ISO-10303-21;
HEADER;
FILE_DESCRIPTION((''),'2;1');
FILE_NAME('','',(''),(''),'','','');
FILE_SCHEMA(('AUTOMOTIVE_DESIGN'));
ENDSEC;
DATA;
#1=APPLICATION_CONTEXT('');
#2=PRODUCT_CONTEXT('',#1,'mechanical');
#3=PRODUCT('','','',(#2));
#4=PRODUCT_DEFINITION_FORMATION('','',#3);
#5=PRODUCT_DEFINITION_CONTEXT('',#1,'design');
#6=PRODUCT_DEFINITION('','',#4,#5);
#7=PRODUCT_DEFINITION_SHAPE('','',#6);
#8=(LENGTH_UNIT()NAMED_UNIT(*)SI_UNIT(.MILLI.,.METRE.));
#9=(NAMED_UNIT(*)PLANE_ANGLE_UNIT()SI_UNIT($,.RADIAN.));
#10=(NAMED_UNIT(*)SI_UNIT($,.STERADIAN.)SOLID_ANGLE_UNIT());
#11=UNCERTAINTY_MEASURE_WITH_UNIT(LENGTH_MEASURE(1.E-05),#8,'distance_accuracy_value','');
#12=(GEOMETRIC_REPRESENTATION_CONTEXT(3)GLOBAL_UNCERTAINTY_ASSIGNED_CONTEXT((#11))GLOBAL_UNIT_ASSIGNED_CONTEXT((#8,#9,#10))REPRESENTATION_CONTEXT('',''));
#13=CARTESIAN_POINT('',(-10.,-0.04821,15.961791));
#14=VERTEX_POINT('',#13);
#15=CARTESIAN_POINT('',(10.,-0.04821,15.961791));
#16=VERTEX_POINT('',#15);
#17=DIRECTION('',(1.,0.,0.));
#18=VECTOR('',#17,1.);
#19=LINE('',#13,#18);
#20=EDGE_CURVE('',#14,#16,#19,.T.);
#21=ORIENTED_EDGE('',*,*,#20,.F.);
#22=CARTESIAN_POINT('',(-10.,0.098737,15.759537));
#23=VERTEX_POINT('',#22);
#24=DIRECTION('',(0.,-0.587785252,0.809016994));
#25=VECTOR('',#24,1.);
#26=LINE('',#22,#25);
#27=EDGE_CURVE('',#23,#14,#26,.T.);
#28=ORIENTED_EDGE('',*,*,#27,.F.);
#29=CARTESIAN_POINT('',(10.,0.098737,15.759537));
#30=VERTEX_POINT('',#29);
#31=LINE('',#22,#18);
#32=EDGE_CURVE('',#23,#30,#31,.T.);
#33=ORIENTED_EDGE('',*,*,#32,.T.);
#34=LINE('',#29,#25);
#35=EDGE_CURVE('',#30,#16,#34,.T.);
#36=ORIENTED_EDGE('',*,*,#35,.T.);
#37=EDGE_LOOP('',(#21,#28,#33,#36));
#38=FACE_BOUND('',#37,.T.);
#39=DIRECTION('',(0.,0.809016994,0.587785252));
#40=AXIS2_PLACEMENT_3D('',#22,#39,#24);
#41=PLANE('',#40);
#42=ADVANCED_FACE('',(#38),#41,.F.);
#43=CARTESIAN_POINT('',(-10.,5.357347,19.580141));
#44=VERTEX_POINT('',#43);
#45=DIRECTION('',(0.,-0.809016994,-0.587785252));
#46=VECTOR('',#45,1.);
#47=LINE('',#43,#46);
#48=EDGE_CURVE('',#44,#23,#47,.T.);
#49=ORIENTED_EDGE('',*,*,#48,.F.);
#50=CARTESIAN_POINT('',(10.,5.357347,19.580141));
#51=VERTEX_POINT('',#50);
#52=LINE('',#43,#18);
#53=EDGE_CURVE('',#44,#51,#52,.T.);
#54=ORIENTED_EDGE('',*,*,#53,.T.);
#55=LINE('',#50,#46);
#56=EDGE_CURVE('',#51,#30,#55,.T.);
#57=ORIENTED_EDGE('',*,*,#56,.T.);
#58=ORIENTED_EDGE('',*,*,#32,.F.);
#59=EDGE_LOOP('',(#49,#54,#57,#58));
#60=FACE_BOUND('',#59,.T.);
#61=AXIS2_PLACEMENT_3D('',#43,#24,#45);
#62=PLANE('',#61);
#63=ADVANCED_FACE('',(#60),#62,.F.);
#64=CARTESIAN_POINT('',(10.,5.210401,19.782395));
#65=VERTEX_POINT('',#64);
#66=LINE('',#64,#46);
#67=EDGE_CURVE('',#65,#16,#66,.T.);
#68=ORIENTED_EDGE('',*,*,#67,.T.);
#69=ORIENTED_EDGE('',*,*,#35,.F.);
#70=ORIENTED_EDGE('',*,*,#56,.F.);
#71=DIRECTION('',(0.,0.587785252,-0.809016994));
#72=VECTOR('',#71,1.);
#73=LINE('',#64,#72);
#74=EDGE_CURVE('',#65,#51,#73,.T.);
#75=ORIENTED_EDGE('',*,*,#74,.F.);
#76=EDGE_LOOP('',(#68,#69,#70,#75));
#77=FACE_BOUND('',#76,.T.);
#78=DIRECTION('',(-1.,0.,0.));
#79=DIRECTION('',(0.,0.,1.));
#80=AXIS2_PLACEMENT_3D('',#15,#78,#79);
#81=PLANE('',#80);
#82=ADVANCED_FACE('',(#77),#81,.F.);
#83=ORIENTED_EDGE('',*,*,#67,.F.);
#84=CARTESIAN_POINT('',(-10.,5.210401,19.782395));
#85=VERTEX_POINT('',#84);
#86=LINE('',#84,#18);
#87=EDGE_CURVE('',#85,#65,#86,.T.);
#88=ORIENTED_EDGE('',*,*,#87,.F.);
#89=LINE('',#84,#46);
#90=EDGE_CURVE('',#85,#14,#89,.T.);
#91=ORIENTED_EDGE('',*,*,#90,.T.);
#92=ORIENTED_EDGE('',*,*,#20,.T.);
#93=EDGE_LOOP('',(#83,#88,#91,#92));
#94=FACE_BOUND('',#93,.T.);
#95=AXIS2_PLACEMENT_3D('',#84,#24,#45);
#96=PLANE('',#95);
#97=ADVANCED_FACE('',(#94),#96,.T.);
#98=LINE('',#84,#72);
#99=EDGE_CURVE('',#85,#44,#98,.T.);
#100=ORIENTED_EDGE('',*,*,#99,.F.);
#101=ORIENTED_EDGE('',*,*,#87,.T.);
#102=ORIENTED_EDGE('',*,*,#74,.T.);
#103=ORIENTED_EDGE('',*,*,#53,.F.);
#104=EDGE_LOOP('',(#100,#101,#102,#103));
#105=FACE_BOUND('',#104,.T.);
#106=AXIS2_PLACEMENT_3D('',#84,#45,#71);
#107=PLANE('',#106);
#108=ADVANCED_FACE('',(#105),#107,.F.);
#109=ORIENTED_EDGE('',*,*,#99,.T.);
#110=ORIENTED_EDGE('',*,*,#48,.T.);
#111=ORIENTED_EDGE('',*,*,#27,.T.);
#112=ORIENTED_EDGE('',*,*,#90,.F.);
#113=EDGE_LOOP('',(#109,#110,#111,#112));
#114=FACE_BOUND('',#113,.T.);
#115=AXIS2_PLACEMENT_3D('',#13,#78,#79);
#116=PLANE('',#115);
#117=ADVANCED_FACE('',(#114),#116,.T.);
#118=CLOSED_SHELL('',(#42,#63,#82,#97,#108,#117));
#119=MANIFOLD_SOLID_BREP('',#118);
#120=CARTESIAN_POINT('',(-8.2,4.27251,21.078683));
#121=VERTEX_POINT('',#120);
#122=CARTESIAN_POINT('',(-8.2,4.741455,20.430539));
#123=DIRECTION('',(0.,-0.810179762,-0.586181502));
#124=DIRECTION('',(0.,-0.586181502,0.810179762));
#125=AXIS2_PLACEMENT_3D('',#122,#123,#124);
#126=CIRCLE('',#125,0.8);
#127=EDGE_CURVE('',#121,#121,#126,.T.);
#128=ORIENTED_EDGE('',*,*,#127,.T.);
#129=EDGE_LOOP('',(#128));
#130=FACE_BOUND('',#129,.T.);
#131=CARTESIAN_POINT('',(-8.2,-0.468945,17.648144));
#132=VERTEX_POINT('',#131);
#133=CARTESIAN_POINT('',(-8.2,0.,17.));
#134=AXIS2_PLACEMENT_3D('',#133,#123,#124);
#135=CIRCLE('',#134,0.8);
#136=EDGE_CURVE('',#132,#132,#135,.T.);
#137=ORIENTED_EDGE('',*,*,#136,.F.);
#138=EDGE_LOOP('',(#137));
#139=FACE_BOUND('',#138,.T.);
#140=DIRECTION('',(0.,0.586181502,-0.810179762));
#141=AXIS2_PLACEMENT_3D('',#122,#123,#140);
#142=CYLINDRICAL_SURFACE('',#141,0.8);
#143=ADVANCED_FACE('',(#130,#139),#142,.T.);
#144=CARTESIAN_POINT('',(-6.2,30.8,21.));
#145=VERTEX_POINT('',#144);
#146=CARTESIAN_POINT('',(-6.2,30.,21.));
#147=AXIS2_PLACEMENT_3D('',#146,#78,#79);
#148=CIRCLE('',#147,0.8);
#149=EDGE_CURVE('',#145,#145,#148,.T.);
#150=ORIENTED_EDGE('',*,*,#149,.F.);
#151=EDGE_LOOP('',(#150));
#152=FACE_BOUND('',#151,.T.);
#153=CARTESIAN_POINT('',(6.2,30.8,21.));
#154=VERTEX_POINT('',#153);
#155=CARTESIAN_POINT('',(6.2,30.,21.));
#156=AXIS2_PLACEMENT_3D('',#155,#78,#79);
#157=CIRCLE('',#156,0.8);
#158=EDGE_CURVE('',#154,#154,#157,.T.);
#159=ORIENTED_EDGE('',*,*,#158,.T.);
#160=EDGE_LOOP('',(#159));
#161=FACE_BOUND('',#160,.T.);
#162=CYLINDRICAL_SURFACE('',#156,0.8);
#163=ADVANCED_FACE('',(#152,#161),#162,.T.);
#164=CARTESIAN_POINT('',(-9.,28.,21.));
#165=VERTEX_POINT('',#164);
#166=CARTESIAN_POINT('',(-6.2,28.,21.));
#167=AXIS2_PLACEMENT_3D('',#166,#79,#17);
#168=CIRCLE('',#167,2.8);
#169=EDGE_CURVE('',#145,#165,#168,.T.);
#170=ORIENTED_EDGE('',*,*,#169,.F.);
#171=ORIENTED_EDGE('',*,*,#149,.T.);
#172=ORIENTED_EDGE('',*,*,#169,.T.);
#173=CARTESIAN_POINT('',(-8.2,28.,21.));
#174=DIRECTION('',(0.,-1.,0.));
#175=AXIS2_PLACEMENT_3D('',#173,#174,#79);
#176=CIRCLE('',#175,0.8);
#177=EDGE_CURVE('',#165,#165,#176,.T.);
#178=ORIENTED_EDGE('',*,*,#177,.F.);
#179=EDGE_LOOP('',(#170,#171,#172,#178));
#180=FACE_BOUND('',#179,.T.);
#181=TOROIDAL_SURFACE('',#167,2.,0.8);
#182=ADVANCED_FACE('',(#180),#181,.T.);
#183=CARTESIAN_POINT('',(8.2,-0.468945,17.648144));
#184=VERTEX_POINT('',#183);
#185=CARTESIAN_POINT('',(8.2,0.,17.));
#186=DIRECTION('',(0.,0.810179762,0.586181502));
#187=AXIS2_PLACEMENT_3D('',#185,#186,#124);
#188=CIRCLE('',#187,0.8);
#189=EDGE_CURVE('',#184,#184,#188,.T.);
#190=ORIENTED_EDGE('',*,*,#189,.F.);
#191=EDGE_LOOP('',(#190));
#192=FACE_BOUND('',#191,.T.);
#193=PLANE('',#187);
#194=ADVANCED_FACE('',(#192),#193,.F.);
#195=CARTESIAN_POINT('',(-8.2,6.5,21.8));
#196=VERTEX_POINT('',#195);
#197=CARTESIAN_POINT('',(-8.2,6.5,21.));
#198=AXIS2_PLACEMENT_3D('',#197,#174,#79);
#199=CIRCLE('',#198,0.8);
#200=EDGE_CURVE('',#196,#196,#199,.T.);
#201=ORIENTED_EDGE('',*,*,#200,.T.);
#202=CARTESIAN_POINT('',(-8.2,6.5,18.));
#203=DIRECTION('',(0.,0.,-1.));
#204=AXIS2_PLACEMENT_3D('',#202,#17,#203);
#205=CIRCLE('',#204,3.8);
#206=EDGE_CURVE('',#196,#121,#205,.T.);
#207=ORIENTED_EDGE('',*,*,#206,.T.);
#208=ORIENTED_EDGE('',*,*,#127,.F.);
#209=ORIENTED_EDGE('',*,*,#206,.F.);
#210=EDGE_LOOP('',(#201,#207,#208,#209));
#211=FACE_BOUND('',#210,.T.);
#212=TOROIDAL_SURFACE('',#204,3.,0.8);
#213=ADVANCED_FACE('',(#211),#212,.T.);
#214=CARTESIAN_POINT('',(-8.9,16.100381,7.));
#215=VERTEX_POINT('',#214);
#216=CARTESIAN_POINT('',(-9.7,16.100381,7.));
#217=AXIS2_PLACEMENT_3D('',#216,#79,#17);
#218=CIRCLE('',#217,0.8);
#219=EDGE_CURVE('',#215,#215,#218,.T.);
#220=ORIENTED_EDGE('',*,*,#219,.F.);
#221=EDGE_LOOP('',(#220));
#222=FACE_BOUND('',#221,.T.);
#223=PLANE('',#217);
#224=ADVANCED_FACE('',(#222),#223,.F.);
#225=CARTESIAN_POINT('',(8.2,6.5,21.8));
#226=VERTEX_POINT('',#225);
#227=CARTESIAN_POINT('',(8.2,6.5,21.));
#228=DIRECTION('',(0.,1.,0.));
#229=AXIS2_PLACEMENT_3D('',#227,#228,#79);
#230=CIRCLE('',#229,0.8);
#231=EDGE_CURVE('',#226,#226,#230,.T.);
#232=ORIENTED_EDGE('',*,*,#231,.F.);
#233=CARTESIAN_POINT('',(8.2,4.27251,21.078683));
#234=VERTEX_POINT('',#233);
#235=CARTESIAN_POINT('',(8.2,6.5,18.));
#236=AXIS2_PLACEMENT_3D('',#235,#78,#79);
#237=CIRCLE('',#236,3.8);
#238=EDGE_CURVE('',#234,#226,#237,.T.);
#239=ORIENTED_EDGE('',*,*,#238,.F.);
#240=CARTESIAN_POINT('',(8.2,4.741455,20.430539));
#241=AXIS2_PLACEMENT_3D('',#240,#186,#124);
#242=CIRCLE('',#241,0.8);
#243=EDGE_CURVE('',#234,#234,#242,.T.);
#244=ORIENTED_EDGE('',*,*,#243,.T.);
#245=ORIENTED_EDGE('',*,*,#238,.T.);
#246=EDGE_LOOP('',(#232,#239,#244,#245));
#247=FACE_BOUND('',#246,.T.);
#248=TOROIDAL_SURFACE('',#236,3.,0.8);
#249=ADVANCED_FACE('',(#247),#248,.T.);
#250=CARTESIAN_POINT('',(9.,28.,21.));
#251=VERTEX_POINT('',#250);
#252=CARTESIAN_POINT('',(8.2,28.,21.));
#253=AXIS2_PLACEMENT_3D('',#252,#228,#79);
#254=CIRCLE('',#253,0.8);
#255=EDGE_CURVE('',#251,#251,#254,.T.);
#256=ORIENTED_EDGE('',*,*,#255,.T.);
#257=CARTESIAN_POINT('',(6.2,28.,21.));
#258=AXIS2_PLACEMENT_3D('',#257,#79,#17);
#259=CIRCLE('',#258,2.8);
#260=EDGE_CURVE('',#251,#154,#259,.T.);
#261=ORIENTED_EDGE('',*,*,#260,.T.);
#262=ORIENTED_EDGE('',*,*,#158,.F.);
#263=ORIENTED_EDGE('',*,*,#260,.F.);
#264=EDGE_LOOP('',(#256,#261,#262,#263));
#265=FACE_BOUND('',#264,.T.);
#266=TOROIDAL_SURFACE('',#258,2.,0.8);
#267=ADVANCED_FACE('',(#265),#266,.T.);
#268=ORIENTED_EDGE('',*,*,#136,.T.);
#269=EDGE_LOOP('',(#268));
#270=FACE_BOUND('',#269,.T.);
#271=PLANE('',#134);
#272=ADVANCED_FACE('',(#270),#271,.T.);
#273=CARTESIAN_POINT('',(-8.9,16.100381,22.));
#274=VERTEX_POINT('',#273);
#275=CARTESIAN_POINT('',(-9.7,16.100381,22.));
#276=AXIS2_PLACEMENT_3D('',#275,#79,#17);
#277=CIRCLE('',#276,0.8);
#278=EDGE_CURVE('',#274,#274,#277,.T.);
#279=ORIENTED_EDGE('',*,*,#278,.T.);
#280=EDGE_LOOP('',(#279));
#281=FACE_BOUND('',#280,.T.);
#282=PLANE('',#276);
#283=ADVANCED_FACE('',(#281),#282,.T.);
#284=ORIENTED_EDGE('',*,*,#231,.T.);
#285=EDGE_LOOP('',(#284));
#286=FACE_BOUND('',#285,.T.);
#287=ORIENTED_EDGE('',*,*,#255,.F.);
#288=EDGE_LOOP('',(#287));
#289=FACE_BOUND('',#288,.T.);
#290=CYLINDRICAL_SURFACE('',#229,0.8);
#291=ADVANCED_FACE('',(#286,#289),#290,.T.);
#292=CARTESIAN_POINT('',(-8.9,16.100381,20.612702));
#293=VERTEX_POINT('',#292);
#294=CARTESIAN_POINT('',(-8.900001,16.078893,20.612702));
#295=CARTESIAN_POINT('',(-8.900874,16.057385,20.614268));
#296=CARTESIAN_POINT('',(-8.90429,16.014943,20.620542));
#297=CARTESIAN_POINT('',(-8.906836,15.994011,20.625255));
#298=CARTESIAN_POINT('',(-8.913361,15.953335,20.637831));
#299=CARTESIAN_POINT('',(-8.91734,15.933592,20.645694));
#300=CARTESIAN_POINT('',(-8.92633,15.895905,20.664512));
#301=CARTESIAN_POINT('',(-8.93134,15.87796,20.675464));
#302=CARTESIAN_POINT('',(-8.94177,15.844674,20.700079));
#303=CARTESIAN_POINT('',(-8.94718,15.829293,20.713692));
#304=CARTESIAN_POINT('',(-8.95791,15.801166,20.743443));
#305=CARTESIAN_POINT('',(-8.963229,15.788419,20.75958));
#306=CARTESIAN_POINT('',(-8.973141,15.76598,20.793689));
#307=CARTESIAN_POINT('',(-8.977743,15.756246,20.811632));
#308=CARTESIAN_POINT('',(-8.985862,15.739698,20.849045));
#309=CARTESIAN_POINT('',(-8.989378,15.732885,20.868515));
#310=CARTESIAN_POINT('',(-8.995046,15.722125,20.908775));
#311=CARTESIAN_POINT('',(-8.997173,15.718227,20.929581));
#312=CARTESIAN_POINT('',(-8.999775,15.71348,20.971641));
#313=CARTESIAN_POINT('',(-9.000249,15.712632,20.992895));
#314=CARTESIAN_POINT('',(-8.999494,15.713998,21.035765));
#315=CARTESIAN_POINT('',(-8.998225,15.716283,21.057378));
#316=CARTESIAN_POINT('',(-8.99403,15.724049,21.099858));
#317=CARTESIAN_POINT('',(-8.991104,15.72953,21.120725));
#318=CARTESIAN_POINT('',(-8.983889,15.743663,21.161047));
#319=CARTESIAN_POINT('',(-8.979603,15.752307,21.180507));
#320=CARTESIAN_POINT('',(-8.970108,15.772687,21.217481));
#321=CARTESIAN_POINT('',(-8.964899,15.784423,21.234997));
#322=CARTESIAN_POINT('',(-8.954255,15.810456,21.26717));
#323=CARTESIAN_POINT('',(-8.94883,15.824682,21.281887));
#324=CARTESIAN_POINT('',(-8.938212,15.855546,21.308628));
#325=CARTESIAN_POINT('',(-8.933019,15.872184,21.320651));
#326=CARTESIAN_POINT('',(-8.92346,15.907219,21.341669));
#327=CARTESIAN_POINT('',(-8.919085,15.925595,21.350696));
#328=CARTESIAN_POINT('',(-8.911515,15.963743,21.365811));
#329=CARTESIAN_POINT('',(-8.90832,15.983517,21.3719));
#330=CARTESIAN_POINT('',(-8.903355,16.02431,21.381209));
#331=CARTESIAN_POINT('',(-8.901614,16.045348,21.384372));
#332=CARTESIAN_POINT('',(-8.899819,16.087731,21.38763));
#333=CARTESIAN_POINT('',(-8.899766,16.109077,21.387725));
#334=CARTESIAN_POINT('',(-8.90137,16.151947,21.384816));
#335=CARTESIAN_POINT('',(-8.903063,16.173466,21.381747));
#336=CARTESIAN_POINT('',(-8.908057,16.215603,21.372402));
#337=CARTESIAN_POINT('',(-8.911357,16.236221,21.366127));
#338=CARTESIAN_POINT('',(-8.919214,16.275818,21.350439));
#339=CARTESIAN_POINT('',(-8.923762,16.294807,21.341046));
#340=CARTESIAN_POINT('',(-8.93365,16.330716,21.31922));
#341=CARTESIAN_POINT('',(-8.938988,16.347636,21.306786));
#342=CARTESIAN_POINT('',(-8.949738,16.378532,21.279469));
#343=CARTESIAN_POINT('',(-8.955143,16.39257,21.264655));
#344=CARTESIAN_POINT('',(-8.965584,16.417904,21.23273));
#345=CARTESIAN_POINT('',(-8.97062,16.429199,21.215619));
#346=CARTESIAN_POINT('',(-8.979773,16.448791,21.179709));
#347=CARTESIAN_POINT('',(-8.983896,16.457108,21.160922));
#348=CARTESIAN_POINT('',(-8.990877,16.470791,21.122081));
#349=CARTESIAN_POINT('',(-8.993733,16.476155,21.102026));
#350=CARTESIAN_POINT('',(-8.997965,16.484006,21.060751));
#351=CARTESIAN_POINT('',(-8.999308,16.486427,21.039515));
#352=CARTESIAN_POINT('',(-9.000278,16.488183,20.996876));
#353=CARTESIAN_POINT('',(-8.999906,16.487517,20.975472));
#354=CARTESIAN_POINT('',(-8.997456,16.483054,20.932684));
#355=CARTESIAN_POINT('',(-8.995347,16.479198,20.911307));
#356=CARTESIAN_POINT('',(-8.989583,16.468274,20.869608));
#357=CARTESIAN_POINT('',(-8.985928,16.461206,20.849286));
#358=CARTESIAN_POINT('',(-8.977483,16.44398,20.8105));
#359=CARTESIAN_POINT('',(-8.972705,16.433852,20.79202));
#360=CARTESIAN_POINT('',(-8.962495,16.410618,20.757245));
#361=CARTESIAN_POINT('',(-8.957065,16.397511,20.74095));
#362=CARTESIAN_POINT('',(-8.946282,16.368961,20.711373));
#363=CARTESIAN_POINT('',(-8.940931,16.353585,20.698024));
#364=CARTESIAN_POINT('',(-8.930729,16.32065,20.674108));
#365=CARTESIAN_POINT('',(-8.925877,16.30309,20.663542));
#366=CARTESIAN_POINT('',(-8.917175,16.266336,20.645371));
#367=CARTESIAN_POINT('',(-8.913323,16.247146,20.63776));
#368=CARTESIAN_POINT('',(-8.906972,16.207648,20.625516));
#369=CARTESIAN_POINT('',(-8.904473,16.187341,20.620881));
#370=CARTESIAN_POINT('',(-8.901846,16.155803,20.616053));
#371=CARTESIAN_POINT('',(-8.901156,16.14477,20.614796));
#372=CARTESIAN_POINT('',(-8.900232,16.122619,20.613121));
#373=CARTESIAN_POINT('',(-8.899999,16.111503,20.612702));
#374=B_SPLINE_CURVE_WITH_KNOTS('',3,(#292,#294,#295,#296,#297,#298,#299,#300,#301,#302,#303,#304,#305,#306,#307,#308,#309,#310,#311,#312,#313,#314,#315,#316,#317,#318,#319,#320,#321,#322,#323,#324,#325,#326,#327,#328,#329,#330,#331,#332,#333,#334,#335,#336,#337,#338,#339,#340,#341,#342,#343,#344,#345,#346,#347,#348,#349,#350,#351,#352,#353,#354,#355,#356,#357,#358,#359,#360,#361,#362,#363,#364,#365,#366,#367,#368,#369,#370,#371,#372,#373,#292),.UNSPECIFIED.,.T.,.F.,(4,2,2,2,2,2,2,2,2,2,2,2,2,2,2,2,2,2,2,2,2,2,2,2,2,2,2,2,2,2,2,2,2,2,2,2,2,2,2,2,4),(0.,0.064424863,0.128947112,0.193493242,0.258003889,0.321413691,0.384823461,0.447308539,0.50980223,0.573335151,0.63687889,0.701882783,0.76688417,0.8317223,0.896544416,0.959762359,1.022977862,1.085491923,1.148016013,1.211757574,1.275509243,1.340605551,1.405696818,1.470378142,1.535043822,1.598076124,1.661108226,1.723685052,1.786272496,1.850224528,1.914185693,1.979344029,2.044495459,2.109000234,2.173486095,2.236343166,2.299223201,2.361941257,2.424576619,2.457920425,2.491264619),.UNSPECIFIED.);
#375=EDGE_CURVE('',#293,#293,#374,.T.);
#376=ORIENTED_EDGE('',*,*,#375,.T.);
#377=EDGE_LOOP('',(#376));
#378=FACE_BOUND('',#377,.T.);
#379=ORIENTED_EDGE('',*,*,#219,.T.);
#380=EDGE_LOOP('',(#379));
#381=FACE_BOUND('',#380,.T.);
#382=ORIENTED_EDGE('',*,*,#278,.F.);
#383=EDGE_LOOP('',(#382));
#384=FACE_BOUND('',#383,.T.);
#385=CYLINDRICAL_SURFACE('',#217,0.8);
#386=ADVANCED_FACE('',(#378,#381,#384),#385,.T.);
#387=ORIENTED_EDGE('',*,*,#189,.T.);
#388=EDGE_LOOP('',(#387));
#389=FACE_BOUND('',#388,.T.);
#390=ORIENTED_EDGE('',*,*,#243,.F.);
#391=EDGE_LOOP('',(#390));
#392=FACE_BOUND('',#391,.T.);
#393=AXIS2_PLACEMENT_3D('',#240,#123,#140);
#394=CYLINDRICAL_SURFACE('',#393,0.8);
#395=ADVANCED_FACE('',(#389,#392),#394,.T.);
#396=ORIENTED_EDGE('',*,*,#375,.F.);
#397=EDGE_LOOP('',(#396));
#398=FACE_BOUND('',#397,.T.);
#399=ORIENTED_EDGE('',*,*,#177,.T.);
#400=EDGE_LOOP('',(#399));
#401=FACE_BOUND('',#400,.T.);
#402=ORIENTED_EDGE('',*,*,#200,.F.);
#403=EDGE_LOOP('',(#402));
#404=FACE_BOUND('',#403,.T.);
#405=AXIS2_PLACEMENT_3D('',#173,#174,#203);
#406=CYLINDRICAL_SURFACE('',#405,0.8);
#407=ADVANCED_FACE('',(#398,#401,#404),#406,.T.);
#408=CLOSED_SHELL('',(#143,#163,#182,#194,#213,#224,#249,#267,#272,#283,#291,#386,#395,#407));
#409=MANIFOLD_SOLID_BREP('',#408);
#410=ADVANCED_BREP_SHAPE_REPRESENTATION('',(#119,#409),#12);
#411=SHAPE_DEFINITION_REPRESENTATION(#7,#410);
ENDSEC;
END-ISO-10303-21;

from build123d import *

# Parameters (mm, degrees)
SKETCH2_R                = 0.8
EXTRUDE1_DEPTH           = 5
EXTRUDE1_DEPTH_BACK      = 10
SKETCH3_R                = 0.8
EXTRUDE_THIN1_DEPTH      = 10
EXTRUDE_THIN1_DEPTH_BACK = 10


with BuildPart() as part:
    # Sweep1: sweep along a curve in space
    with BuildLine() as sweep1_path:
        Line((8.2, 0, 17), (8.2, 4.741455494, 20.430539286))
        ThreePointArc((8.2, 4.741455494, 20.430539286), (8.2, 5.575775422, 20.854086356), (8.2, 6.5, 21))
        Line((8.2, 6.5, 21), (8.2, 28, 21))
        ThreePointArc((8.2, 28, 21), (7.614213562, 29.414213562, 21), (6.2, 30, 21))
        Line((6.2, 30, 21), (-6.2, 30, 21))
        ThreePointArc((-8.2, 28, 21), (-7.614213562, 29.414213562, 21), (-6.2, 30, 21))
        Line((-8.2, 28, 21), (-8.2, 6.5, 21))
        ThreePointArc((-8.2, 6.5, 21), (-8.2, 5.575775422, 20.854086356), (-8.2, 4.741455494, 20.430539286))
        Line((-8.2, 4.741455494, 20.430539286), (-8.2, 0, 17))
    # Sketch2 → Sweep1 (sweep)
    with BuildSketch(Plane(origin=(8.2, 0, 17), x_dir=(-1, 0, 0), z_dir=(0, 0.810179762077197, 0.586181501858031))):
        Circle(SKETCH2_R)
    sweep(path=sweep1_path.line)

    # Sketch3 → Extrude1 (add, two sides: drawn at the far end of the back side and taken through both)
    with BuildSketch(Plane.XY.offset(17).offset(-EXTRUDE1_DEPTH_BACK)):
        with Locations((-9.7, 16.100381126)):
            Circle(SKETCH3_R)
    extrude(amount=EXTRUDE1_DEPTH + EXTRUDE1_DEPTH_BACK)


with BuildPart() as body_2:
    # Sketch4 → Extrude-Thin1 (new, two sides: drawn at the far end of the back side and taken through both)
    with BuildSketch(Plane(origin=(0, 0, 0), x_dir=(0, 0, -1), z_dir=(1, 0, 0)).offset(-EXTRUDE_THIN1_DEPTH_BACK)):
        Polygon((-19.782395477, 5.210400696), (-15.961791337, -0.048209768), (-15.759537088, 0.098736546), (-19.580141228, 5.357347009), align=None)
    extrude(amount=EXTRUDE_THIN1_DEPTH + EXTRUDE_THIN1_DEPTH_BACK)


solid = Compound([part.part, body_2.part])
